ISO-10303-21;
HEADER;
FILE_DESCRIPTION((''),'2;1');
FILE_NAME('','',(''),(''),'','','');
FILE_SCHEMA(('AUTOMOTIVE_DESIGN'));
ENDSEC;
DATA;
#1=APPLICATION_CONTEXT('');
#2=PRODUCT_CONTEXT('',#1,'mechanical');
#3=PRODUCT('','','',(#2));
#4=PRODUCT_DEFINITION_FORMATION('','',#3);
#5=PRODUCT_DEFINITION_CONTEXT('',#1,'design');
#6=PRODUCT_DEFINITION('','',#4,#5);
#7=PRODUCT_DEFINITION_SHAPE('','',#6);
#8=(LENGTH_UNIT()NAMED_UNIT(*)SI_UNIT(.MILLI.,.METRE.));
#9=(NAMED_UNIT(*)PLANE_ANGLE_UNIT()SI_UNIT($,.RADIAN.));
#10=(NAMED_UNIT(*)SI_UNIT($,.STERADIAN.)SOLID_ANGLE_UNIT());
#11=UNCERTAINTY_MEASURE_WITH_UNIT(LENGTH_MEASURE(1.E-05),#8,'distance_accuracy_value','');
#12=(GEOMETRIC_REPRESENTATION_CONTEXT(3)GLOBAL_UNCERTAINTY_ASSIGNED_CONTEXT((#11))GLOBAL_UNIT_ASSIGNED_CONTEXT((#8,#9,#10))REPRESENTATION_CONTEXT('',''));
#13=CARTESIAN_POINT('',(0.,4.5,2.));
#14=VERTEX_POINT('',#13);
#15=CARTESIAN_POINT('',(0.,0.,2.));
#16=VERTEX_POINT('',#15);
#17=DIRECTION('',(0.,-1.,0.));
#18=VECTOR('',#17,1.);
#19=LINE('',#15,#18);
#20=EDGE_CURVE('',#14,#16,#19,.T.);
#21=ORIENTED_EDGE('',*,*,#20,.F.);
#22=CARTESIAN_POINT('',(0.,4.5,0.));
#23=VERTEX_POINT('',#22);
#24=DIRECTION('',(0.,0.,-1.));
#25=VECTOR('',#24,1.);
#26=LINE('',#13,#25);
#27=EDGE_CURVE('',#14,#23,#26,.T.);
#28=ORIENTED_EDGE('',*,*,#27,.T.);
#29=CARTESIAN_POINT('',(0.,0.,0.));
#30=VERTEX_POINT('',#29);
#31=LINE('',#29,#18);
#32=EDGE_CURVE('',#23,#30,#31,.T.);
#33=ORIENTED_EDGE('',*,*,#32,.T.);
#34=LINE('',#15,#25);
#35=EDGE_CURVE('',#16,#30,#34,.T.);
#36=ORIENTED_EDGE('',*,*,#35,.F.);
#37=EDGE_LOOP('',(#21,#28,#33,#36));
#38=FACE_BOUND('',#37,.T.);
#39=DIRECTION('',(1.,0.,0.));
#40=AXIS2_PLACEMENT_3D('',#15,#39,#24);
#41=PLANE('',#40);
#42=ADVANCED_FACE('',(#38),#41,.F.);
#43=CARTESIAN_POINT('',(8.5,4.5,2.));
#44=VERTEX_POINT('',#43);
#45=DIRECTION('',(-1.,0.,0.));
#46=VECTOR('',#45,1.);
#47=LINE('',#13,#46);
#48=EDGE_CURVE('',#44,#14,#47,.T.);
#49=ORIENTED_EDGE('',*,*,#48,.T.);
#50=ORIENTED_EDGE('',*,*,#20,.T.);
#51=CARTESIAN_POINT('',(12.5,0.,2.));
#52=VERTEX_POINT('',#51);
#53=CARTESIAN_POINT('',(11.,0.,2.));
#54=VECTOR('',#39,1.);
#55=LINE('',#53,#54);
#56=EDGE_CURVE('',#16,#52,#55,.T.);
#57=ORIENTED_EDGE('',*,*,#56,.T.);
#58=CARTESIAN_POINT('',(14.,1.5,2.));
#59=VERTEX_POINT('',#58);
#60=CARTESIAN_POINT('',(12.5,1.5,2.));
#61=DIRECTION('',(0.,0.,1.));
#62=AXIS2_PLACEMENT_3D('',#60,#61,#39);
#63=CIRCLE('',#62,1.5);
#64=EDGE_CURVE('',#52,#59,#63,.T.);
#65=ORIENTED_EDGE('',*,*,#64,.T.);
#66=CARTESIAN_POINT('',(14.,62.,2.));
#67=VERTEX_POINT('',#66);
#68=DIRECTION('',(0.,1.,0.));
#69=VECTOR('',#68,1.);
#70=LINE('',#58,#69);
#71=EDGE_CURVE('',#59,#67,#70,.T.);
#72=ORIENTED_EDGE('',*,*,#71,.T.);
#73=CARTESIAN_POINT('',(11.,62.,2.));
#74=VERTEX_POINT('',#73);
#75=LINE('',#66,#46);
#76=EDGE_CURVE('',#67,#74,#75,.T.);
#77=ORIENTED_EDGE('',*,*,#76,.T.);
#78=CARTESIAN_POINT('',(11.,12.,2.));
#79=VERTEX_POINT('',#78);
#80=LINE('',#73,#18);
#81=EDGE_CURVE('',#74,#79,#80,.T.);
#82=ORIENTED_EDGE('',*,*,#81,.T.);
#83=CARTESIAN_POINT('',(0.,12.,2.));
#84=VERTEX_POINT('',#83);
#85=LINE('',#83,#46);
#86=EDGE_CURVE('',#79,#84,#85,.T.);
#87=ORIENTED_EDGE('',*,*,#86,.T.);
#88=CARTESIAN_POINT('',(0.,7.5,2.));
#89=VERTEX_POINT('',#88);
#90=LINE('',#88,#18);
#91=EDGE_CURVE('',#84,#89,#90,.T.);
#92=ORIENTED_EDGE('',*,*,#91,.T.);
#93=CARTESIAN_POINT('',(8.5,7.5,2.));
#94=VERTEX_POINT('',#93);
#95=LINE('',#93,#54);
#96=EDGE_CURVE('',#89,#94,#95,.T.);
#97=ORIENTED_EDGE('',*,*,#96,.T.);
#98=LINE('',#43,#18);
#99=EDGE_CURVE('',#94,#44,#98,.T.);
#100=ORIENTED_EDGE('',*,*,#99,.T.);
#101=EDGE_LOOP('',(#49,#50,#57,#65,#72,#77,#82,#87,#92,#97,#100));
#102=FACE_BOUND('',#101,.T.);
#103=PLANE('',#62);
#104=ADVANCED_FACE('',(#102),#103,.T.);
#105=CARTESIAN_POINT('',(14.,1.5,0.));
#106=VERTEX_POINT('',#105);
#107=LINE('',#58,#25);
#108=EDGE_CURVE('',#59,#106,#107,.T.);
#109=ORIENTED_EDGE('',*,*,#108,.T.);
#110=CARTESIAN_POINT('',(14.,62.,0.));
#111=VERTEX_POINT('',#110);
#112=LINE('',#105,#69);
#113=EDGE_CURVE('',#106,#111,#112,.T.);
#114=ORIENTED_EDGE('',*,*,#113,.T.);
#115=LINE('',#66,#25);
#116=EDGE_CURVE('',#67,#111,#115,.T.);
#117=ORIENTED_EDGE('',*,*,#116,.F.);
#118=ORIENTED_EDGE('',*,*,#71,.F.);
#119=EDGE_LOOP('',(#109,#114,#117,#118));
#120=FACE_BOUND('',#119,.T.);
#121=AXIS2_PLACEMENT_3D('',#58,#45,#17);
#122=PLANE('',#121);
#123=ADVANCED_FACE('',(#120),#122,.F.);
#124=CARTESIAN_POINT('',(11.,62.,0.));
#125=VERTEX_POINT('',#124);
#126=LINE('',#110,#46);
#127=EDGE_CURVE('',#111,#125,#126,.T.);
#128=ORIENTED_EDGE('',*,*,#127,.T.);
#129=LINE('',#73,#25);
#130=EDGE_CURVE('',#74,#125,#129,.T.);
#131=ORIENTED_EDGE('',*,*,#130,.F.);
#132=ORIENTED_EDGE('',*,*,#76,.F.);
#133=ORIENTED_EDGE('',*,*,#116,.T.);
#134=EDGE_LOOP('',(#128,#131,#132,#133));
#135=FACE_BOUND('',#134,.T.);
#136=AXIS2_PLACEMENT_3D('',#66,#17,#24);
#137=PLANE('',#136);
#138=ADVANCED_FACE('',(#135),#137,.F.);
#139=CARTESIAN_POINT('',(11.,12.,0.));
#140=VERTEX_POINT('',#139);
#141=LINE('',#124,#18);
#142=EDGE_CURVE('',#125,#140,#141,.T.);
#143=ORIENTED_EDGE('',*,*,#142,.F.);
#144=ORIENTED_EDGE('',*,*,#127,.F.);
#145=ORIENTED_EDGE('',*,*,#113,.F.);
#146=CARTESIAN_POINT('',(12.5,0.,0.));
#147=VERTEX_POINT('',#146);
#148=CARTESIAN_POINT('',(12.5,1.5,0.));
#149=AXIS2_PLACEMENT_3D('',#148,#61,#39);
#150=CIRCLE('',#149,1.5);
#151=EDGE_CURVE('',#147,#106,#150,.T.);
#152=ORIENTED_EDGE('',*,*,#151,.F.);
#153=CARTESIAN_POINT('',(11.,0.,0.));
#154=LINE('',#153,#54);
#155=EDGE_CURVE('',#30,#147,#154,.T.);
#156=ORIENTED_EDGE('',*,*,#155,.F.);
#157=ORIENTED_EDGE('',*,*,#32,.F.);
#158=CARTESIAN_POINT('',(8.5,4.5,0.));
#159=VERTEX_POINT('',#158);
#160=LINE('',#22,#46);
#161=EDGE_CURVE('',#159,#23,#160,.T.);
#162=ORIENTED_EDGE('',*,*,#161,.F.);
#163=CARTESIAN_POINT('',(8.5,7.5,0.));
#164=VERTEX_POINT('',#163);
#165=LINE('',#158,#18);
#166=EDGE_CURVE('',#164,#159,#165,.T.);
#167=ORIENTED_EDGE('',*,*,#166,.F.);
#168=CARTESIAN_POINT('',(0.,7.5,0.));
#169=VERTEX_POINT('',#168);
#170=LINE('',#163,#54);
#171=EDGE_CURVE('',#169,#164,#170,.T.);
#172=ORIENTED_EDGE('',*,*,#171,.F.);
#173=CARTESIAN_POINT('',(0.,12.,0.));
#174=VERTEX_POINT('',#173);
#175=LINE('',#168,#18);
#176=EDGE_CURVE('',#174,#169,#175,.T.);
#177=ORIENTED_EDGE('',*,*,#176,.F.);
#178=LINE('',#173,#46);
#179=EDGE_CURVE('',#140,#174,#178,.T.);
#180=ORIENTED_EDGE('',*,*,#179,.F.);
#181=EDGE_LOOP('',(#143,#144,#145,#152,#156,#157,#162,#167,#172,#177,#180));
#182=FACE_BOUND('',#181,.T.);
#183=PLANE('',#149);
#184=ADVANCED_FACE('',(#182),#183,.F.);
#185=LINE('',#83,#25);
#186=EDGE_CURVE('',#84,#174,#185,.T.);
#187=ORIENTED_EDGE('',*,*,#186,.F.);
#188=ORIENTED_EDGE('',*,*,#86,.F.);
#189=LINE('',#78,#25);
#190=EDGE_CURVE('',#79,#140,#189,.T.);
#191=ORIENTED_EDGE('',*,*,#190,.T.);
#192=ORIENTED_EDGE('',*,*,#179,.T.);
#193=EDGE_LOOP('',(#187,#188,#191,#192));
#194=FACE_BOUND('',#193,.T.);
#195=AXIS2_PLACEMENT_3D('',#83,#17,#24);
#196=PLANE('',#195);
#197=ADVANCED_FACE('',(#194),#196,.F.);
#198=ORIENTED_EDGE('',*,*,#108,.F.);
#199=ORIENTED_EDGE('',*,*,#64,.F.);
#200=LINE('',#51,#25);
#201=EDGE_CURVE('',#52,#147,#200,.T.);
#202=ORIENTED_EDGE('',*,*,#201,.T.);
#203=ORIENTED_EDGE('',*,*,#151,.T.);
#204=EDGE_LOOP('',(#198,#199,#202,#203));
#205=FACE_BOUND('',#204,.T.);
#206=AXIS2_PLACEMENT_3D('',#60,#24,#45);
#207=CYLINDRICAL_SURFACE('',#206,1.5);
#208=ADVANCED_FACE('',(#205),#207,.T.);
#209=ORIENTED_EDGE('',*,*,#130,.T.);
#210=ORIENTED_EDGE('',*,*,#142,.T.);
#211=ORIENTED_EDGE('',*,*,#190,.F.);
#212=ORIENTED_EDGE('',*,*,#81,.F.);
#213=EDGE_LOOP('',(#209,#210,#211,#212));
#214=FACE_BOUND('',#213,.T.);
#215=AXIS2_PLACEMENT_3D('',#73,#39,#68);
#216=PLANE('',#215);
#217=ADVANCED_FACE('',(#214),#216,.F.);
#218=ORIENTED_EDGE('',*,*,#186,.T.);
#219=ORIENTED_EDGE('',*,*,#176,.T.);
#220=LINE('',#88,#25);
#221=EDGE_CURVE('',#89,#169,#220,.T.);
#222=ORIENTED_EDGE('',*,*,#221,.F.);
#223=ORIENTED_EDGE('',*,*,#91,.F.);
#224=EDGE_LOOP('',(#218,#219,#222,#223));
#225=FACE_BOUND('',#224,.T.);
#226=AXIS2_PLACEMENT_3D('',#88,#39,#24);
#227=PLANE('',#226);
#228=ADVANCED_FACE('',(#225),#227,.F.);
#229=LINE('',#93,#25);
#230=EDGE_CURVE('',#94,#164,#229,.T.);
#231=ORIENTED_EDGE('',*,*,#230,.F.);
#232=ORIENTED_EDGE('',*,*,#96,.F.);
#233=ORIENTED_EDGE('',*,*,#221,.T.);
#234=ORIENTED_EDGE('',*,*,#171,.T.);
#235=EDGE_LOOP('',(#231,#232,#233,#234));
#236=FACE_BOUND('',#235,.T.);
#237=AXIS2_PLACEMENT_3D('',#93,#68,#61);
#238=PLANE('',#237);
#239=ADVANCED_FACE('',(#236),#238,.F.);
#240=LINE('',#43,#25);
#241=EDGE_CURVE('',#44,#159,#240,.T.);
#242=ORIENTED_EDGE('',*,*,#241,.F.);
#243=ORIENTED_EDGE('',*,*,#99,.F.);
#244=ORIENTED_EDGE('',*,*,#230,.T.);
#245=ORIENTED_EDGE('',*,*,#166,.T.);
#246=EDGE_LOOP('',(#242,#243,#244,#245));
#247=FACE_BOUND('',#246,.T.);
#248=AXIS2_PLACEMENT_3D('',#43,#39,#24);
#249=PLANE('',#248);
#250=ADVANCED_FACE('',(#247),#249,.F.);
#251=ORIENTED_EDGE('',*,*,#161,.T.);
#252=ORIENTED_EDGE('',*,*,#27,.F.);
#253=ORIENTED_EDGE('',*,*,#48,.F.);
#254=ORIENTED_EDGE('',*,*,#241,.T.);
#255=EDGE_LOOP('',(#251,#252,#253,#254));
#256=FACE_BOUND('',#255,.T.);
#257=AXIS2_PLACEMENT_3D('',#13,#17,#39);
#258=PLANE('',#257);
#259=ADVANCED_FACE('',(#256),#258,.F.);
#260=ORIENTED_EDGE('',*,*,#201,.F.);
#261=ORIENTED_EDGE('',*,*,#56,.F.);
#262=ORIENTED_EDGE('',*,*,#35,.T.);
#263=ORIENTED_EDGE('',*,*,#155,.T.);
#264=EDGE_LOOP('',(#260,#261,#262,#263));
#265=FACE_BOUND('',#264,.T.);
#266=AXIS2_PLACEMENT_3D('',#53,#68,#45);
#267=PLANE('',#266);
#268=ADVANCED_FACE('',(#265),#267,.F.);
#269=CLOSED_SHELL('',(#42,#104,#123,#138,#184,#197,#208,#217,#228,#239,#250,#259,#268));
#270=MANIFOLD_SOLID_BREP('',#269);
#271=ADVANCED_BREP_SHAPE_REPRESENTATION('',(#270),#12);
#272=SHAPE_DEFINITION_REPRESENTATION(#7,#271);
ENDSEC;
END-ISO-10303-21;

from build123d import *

# Parameters (mm, degrees)
BOSS_EXTRUDE1_DEPTH = 2


with BuildPart() as part:
    # Sketch1 → Boss-Extrude1 (new body)
    with BuildSketch(Plane.XY):
        with BuildLine():
            Line((0, 0), (0, 4.5))
            Line((0, 4.5), (8.5, 4.5))
            Line((8.5, 4.5), (8.5, 7.5))
            Line((8.5, 7.5), (0, 7.5))
            Line((0, 7.5), (0, 12))
            Line((0, 12), (11, 12))
            Line((11, 12), (11, 62))
            Line((11, 62), (14, 62))
            Line((14, 62), (14, 1.5))
            ThreePointArc((14, 1.5), (13.560660172, 0.439339828), (12.5, 0))
            Line((12.5, 0), (11, 0))
            Line((11, 0), (0, 0))
        make_face()
    extrude(amount=BOSS_EXTRUDE1_DEPTH)


solid = part.part
